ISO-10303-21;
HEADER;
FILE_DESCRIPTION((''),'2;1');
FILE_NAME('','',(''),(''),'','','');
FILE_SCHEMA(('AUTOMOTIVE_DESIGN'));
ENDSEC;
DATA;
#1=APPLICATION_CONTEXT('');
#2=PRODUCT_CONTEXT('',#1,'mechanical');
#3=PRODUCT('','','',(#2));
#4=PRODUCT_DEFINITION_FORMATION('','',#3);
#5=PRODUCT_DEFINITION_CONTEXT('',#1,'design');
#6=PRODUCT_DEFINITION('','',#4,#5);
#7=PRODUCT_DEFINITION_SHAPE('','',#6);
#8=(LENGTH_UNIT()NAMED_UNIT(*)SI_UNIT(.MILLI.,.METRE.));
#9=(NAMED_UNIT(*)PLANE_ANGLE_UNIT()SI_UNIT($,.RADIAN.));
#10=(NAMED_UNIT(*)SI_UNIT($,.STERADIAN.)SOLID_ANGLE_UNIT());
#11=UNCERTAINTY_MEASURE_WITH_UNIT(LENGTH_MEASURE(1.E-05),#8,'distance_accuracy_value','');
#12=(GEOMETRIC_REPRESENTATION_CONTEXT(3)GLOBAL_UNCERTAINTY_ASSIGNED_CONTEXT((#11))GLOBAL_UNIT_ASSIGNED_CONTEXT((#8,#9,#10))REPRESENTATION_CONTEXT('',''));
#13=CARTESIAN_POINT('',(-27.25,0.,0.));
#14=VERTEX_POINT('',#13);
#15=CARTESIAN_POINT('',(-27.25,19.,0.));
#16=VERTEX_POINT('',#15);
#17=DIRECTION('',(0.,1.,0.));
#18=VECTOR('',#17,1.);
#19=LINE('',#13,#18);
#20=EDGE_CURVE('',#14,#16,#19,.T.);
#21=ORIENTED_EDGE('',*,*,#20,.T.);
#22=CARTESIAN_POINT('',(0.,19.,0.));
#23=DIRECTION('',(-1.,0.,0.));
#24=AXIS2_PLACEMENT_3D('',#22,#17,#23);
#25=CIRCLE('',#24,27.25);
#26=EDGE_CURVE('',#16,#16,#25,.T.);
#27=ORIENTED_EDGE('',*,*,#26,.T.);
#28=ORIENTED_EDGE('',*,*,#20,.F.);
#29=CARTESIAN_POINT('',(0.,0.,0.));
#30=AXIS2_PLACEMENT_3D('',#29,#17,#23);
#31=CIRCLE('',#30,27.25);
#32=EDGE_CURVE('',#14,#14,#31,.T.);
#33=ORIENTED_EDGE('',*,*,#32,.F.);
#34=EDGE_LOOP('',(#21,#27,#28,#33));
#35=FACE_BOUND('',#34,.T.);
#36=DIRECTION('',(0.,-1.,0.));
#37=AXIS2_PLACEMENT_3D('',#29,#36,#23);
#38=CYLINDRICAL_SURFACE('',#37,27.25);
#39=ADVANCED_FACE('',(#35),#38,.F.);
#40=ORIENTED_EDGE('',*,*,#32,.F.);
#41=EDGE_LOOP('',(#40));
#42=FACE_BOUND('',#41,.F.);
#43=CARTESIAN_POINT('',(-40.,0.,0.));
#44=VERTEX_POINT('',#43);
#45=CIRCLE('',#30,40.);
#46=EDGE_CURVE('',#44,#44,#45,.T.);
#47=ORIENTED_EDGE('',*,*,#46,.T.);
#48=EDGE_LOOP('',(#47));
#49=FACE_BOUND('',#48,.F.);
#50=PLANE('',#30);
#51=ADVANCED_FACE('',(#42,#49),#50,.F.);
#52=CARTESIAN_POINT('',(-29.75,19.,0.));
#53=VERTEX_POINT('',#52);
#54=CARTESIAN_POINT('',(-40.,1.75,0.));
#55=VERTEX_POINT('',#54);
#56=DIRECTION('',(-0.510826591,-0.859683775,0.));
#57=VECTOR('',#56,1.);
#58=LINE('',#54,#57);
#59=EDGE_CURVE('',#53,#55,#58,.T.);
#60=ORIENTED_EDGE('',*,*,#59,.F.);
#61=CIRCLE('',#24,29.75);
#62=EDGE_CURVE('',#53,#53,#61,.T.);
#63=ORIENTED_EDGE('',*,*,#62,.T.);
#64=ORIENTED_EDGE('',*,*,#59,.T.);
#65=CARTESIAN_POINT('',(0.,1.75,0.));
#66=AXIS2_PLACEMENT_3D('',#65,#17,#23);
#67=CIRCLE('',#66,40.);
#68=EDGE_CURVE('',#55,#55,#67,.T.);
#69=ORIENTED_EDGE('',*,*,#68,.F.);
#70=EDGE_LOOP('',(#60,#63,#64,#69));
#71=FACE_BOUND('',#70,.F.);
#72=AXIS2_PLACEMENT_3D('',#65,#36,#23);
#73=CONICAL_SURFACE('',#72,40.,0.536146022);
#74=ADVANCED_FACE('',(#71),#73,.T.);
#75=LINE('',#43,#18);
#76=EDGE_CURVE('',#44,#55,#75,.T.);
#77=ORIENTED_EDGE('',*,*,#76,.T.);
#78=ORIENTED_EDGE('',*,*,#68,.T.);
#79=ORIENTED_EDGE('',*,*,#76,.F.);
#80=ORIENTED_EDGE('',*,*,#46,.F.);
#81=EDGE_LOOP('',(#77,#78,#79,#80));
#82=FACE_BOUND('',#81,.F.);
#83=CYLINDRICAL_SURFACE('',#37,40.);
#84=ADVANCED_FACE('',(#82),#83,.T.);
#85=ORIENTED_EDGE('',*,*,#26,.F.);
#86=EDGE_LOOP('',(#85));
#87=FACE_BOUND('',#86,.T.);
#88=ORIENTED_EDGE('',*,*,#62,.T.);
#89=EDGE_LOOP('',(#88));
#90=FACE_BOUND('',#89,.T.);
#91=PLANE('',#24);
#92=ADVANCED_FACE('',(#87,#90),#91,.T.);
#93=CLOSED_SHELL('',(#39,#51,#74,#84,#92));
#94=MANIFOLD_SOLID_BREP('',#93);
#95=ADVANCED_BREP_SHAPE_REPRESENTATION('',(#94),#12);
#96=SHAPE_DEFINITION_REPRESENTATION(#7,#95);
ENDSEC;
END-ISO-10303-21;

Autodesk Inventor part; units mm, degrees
ref_plane "YZ Plane" through (0, 0, 0) normal (1, 0, 0) x (0, 1, 0)
ref_plane "XZ Plane" through (0, 0, 0) normal (0, 1, 0) x (-1, 0, 0)
ref_plane "XY Plane" through (0, 0, 0) normal (0, 0, 1) x (1, 0, 0)
sketch "Sketch1" plane through (0, 0, 0) normal (0, 1, 0) x (-1, 0, 0)
  circle A0 centre (0, 0) radius 27.25
  circle A1 centre (0, 0) radius 40
  dimension "d0" = 54.5
  dimension "d1" = 80
  dimension "d2" = 12.75
extrude "Extrusion1" add sketch "Sketch1" along normal blind 19
chamfer "Chamfer2" distance 10.25 distance2 17.25 1 edges at (40, 19, 0) measured on face at (17.5776, 19, -30.8976)
properties part number "koolnierz"
